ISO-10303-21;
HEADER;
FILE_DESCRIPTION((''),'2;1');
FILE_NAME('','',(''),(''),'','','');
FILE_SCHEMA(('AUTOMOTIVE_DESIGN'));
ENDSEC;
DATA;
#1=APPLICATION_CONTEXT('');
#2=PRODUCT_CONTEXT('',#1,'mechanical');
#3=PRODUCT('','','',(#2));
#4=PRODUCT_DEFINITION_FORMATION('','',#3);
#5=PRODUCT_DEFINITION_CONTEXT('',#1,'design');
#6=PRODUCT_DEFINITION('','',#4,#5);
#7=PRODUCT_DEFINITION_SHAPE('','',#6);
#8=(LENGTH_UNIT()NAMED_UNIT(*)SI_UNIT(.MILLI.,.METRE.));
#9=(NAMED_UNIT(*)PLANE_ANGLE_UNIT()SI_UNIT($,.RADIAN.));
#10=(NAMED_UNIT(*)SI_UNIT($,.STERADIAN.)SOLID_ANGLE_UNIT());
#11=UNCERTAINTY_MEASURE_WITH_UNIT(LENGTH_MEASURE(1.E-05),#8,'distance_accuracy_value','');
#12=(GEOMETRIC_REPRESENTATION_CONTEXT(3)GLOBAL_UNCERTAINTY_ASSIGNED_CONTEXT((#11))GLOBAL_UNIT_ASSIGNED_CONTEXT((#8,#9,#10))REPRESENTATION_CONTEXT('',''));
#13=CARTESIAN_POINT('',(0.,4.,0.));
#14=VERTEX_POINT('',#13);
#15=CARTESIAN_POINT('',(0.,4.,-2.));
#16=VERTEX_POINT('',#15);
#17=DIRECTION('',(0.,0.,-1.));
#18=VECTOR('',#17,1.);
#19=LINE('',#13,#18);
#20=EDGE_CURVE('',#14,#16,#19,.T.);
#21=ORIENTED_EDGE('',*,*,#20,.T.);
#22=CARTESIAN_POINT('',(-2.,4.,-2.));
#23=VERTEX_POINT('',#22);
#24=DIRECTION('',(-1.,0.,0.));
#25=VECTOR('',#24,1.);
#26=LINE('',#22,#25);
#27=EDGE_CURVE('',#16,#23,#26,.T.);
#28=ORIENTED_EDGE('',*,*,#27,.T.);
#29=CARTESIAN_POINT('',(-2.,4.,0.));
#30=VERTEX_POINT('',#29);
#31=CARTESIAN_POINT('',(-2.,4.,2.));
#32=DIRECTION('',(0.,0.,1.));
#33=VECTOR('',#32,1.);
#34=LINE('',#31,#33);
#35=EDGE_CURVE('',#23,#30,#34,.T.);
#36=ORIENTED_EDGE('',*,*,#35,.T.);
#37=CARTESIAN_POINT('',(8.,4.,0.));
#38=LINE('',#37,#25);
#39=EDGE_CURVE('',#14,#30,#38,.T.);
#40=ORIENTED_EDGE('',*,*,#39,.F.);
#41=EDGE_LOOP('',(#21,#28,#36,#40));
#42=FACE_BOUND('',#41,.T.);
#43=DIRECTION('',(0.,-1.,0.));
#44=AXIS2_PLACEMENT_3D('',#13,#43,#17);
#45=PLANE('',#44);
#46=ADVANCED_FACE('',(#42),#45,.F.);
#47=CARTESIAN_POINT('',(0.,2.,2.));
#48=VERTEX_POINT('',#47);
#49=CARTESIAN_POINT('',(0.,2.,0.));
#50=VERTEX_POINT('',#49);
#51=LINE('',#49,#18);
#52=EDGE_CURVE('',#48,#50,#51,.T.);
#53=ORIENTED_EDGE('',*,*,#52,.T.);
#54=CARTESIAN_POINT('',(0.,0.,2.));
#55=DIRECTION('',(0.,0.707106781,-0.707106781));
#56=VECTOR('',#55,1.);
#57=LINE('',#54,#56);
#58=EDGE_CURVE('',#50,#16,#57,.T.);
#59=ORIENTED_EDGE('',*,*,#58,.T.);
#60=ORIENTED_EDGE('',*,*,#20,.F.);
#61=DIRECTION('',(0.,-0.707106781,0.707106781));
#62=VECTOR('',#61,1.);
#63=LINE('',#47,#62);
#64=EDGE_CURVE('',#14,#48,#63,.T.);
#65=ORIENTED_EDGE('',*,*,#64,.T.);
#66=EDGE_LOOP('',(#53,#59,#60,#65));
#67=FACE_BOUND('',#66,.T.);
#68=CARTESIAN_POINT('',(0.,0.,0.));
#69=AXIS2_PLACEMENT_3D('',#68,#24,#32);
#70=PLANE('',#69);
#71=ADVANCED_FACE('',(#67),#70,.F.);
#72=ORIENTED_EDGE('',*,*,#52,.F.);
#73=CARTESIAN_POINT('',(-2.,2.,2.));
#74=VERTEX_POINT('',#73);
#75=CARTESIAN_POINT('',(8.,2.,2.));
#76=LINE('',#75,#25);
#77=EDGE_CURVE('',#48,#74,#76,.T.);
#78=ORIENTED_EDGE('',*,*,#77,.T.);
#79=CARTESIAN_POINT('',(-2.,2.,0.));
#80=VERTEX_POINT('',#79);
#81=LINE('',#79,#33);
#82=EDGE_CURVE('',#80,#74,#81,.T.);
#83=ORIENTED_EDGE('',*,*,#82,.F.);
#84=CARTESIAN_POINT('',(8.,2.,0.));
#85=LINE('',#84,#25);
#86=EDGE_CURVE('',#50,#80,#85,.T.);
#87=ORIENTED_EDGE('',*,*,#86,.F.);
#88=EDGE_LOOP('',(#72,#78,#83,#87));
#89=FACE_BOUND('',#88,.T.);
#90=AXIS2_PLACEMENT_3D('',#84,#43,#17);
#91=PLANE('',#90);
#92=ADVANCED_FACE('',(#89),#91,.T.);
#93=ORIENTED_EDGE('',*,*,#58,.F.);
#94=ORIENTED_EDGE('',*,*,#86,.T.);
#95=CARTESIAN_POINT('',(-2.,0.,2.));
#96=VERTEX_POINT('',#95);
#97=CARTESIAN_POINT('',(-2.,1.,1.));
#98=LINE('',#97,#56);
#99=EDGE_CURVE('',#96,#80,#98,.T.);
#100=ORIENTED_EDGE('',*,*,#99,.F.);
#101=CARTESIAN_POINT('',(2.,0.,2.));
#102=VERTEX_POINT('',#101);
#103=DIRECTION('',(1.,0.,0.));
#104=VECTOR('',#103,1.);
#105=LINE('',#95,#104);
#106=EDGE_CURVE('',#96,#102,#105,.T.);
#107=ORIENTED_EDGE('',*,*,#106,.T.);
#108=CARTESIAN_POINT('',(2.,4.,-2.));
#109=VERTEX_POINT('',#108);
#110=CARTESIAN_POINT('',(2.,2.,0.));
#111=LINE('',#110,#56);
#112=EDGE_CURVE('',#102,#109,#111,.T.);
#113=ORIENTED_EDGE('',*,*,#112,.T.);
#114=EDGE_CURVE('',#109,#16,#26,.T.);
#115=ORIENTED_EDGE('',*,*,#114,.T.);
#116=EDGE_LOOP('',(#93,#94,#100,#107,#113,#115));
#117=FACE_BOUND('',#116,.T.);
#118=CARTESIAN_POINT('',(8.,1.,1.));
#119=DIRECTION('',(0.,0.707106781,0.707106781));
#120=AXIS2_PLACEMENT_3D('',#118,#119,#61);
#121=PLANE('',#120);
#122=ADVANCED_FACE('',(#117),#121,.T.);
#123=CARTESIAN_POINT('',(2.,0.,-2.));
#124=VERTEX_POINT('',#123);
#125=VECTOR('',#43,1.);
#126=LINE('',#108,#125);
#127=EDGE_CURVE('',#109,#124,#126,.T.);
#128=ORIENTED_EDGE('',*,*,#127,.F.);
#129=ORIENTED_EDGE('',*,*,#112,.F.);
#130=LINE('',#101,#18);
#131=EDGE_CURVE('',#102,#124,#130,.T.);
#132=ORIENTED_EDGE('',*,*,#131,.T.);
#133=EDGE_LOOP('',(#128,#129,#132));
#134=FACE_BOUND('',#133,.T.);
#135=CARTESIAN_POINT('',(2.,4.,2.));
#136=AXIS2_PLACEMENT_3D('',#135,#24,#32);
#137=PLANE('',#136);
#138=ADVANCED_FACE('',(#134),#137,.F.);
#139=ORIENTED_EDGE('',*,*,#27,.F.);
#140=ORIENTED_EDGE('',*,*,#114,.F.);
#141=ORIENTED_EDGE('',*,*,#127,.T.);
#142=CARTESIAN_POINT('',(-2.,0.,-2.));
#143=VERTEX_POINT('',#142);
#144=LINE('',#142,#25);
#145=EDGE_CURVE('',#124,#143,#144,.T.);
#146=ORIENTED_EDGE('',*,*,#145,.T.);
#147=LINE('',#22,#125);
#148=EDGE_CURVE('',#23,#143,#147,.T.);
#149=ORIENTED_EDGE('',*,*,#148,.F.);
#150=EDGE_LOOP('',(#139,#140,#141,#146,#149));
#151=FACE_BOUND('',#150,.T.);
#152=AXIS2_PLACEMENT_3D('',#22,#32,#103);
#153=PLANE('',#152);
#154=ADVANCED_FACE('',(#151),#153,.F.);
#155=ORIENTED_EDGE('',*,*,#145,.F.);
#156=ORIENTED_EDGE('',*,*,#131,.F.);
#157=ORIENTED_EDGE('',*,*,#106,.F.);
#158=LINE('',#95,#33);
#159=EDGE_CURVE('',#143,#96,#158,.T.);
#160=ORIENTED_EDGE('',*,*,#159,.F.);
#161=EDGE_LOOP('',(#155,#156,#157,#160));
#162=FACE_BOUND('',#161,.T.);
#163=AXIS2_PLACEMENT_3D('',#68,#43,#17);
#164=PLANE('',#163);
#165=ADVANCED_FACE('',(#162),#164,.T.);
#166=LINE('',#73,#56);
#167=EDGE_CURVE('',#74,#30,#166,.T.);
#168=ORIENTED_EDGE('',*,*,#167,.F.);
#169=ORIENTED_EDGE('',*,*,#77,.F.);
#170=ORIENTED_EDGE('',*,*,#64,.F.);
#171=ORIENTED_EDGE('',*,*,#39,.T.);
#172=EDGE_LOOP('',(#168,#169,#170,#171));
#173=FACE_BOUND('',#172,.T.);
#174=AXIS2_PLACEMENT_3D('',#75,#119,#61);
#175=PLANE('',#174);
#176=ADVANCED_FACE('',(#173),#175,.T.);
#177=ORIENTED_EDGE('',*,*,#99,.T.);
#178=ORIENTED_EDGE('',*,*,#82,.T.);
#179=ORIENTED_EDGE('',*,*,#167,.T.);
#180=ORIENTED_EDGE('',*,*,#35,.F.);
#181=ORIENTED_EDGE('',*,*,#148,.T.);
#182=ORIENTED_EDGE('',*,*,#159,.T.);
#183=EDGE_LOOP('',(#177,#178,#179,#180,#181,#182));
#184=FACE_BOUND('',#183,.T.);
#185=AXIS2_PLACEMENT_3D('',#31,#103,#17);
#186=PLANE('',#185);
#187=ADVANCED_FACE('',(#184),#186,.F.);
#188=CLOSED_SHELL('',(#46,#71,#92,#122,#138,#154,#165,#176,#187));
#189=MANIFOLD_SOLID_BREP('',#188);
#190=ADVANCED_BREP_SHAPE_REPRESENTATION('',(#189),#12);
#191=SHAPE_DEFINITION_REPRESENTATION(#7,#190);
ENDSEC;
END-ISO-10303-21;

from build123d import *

# Parameters (mm, degrees)
SKETCH1_W           = 4
SKETCH1_H           = 4
BOSS_EXTRUDE1_DEPTH = 4
CUT_EXTRUDE1_DEPTH  = 10
CUT_EXTRUDE2_DEPTH  = 2


with BuildPart() as part:
    # Sketch1 → Boss-Extrude1 (new body)
    with BuildSketch(Plane(origin=(0, 0, 0), x_dir=(1, 0, 0), z_dir=(0, 1, 0))):
        Rectangle(SKETCH1_W, SKETCH1_H)
    extrude(amount=BOSS_EXTRUDE1_DEPTH)

    # Sketch2 → Cut-Extrude1 (cut)
    with BuildSketch(Plane.ZY.offset(2)):
        Polygon((0, 2), (2, 0), (2, 2), align=None)
        Polygon((0, 4), (2, 2), (2, 4), align=None)
    extrude(amount=-CUT_EXTRUDE1_DEPTH, mode=Mode.SUBTRACT)

    # Sketch3 → Cut-Extrude2 (cut)
    with BuildSketch(Plane(origin=(2, 0, 0), x_dir=(0, 0, -1), z_dir=(1, 0, 0))):
        Polygon((-2, 0), (2, 4), (-2, 4.116557223), align=None)
    extrude(amount=-CUT_EXTRUDE2_DEPTH, mode=Mode.SUBTRACT)


solid = part.part
